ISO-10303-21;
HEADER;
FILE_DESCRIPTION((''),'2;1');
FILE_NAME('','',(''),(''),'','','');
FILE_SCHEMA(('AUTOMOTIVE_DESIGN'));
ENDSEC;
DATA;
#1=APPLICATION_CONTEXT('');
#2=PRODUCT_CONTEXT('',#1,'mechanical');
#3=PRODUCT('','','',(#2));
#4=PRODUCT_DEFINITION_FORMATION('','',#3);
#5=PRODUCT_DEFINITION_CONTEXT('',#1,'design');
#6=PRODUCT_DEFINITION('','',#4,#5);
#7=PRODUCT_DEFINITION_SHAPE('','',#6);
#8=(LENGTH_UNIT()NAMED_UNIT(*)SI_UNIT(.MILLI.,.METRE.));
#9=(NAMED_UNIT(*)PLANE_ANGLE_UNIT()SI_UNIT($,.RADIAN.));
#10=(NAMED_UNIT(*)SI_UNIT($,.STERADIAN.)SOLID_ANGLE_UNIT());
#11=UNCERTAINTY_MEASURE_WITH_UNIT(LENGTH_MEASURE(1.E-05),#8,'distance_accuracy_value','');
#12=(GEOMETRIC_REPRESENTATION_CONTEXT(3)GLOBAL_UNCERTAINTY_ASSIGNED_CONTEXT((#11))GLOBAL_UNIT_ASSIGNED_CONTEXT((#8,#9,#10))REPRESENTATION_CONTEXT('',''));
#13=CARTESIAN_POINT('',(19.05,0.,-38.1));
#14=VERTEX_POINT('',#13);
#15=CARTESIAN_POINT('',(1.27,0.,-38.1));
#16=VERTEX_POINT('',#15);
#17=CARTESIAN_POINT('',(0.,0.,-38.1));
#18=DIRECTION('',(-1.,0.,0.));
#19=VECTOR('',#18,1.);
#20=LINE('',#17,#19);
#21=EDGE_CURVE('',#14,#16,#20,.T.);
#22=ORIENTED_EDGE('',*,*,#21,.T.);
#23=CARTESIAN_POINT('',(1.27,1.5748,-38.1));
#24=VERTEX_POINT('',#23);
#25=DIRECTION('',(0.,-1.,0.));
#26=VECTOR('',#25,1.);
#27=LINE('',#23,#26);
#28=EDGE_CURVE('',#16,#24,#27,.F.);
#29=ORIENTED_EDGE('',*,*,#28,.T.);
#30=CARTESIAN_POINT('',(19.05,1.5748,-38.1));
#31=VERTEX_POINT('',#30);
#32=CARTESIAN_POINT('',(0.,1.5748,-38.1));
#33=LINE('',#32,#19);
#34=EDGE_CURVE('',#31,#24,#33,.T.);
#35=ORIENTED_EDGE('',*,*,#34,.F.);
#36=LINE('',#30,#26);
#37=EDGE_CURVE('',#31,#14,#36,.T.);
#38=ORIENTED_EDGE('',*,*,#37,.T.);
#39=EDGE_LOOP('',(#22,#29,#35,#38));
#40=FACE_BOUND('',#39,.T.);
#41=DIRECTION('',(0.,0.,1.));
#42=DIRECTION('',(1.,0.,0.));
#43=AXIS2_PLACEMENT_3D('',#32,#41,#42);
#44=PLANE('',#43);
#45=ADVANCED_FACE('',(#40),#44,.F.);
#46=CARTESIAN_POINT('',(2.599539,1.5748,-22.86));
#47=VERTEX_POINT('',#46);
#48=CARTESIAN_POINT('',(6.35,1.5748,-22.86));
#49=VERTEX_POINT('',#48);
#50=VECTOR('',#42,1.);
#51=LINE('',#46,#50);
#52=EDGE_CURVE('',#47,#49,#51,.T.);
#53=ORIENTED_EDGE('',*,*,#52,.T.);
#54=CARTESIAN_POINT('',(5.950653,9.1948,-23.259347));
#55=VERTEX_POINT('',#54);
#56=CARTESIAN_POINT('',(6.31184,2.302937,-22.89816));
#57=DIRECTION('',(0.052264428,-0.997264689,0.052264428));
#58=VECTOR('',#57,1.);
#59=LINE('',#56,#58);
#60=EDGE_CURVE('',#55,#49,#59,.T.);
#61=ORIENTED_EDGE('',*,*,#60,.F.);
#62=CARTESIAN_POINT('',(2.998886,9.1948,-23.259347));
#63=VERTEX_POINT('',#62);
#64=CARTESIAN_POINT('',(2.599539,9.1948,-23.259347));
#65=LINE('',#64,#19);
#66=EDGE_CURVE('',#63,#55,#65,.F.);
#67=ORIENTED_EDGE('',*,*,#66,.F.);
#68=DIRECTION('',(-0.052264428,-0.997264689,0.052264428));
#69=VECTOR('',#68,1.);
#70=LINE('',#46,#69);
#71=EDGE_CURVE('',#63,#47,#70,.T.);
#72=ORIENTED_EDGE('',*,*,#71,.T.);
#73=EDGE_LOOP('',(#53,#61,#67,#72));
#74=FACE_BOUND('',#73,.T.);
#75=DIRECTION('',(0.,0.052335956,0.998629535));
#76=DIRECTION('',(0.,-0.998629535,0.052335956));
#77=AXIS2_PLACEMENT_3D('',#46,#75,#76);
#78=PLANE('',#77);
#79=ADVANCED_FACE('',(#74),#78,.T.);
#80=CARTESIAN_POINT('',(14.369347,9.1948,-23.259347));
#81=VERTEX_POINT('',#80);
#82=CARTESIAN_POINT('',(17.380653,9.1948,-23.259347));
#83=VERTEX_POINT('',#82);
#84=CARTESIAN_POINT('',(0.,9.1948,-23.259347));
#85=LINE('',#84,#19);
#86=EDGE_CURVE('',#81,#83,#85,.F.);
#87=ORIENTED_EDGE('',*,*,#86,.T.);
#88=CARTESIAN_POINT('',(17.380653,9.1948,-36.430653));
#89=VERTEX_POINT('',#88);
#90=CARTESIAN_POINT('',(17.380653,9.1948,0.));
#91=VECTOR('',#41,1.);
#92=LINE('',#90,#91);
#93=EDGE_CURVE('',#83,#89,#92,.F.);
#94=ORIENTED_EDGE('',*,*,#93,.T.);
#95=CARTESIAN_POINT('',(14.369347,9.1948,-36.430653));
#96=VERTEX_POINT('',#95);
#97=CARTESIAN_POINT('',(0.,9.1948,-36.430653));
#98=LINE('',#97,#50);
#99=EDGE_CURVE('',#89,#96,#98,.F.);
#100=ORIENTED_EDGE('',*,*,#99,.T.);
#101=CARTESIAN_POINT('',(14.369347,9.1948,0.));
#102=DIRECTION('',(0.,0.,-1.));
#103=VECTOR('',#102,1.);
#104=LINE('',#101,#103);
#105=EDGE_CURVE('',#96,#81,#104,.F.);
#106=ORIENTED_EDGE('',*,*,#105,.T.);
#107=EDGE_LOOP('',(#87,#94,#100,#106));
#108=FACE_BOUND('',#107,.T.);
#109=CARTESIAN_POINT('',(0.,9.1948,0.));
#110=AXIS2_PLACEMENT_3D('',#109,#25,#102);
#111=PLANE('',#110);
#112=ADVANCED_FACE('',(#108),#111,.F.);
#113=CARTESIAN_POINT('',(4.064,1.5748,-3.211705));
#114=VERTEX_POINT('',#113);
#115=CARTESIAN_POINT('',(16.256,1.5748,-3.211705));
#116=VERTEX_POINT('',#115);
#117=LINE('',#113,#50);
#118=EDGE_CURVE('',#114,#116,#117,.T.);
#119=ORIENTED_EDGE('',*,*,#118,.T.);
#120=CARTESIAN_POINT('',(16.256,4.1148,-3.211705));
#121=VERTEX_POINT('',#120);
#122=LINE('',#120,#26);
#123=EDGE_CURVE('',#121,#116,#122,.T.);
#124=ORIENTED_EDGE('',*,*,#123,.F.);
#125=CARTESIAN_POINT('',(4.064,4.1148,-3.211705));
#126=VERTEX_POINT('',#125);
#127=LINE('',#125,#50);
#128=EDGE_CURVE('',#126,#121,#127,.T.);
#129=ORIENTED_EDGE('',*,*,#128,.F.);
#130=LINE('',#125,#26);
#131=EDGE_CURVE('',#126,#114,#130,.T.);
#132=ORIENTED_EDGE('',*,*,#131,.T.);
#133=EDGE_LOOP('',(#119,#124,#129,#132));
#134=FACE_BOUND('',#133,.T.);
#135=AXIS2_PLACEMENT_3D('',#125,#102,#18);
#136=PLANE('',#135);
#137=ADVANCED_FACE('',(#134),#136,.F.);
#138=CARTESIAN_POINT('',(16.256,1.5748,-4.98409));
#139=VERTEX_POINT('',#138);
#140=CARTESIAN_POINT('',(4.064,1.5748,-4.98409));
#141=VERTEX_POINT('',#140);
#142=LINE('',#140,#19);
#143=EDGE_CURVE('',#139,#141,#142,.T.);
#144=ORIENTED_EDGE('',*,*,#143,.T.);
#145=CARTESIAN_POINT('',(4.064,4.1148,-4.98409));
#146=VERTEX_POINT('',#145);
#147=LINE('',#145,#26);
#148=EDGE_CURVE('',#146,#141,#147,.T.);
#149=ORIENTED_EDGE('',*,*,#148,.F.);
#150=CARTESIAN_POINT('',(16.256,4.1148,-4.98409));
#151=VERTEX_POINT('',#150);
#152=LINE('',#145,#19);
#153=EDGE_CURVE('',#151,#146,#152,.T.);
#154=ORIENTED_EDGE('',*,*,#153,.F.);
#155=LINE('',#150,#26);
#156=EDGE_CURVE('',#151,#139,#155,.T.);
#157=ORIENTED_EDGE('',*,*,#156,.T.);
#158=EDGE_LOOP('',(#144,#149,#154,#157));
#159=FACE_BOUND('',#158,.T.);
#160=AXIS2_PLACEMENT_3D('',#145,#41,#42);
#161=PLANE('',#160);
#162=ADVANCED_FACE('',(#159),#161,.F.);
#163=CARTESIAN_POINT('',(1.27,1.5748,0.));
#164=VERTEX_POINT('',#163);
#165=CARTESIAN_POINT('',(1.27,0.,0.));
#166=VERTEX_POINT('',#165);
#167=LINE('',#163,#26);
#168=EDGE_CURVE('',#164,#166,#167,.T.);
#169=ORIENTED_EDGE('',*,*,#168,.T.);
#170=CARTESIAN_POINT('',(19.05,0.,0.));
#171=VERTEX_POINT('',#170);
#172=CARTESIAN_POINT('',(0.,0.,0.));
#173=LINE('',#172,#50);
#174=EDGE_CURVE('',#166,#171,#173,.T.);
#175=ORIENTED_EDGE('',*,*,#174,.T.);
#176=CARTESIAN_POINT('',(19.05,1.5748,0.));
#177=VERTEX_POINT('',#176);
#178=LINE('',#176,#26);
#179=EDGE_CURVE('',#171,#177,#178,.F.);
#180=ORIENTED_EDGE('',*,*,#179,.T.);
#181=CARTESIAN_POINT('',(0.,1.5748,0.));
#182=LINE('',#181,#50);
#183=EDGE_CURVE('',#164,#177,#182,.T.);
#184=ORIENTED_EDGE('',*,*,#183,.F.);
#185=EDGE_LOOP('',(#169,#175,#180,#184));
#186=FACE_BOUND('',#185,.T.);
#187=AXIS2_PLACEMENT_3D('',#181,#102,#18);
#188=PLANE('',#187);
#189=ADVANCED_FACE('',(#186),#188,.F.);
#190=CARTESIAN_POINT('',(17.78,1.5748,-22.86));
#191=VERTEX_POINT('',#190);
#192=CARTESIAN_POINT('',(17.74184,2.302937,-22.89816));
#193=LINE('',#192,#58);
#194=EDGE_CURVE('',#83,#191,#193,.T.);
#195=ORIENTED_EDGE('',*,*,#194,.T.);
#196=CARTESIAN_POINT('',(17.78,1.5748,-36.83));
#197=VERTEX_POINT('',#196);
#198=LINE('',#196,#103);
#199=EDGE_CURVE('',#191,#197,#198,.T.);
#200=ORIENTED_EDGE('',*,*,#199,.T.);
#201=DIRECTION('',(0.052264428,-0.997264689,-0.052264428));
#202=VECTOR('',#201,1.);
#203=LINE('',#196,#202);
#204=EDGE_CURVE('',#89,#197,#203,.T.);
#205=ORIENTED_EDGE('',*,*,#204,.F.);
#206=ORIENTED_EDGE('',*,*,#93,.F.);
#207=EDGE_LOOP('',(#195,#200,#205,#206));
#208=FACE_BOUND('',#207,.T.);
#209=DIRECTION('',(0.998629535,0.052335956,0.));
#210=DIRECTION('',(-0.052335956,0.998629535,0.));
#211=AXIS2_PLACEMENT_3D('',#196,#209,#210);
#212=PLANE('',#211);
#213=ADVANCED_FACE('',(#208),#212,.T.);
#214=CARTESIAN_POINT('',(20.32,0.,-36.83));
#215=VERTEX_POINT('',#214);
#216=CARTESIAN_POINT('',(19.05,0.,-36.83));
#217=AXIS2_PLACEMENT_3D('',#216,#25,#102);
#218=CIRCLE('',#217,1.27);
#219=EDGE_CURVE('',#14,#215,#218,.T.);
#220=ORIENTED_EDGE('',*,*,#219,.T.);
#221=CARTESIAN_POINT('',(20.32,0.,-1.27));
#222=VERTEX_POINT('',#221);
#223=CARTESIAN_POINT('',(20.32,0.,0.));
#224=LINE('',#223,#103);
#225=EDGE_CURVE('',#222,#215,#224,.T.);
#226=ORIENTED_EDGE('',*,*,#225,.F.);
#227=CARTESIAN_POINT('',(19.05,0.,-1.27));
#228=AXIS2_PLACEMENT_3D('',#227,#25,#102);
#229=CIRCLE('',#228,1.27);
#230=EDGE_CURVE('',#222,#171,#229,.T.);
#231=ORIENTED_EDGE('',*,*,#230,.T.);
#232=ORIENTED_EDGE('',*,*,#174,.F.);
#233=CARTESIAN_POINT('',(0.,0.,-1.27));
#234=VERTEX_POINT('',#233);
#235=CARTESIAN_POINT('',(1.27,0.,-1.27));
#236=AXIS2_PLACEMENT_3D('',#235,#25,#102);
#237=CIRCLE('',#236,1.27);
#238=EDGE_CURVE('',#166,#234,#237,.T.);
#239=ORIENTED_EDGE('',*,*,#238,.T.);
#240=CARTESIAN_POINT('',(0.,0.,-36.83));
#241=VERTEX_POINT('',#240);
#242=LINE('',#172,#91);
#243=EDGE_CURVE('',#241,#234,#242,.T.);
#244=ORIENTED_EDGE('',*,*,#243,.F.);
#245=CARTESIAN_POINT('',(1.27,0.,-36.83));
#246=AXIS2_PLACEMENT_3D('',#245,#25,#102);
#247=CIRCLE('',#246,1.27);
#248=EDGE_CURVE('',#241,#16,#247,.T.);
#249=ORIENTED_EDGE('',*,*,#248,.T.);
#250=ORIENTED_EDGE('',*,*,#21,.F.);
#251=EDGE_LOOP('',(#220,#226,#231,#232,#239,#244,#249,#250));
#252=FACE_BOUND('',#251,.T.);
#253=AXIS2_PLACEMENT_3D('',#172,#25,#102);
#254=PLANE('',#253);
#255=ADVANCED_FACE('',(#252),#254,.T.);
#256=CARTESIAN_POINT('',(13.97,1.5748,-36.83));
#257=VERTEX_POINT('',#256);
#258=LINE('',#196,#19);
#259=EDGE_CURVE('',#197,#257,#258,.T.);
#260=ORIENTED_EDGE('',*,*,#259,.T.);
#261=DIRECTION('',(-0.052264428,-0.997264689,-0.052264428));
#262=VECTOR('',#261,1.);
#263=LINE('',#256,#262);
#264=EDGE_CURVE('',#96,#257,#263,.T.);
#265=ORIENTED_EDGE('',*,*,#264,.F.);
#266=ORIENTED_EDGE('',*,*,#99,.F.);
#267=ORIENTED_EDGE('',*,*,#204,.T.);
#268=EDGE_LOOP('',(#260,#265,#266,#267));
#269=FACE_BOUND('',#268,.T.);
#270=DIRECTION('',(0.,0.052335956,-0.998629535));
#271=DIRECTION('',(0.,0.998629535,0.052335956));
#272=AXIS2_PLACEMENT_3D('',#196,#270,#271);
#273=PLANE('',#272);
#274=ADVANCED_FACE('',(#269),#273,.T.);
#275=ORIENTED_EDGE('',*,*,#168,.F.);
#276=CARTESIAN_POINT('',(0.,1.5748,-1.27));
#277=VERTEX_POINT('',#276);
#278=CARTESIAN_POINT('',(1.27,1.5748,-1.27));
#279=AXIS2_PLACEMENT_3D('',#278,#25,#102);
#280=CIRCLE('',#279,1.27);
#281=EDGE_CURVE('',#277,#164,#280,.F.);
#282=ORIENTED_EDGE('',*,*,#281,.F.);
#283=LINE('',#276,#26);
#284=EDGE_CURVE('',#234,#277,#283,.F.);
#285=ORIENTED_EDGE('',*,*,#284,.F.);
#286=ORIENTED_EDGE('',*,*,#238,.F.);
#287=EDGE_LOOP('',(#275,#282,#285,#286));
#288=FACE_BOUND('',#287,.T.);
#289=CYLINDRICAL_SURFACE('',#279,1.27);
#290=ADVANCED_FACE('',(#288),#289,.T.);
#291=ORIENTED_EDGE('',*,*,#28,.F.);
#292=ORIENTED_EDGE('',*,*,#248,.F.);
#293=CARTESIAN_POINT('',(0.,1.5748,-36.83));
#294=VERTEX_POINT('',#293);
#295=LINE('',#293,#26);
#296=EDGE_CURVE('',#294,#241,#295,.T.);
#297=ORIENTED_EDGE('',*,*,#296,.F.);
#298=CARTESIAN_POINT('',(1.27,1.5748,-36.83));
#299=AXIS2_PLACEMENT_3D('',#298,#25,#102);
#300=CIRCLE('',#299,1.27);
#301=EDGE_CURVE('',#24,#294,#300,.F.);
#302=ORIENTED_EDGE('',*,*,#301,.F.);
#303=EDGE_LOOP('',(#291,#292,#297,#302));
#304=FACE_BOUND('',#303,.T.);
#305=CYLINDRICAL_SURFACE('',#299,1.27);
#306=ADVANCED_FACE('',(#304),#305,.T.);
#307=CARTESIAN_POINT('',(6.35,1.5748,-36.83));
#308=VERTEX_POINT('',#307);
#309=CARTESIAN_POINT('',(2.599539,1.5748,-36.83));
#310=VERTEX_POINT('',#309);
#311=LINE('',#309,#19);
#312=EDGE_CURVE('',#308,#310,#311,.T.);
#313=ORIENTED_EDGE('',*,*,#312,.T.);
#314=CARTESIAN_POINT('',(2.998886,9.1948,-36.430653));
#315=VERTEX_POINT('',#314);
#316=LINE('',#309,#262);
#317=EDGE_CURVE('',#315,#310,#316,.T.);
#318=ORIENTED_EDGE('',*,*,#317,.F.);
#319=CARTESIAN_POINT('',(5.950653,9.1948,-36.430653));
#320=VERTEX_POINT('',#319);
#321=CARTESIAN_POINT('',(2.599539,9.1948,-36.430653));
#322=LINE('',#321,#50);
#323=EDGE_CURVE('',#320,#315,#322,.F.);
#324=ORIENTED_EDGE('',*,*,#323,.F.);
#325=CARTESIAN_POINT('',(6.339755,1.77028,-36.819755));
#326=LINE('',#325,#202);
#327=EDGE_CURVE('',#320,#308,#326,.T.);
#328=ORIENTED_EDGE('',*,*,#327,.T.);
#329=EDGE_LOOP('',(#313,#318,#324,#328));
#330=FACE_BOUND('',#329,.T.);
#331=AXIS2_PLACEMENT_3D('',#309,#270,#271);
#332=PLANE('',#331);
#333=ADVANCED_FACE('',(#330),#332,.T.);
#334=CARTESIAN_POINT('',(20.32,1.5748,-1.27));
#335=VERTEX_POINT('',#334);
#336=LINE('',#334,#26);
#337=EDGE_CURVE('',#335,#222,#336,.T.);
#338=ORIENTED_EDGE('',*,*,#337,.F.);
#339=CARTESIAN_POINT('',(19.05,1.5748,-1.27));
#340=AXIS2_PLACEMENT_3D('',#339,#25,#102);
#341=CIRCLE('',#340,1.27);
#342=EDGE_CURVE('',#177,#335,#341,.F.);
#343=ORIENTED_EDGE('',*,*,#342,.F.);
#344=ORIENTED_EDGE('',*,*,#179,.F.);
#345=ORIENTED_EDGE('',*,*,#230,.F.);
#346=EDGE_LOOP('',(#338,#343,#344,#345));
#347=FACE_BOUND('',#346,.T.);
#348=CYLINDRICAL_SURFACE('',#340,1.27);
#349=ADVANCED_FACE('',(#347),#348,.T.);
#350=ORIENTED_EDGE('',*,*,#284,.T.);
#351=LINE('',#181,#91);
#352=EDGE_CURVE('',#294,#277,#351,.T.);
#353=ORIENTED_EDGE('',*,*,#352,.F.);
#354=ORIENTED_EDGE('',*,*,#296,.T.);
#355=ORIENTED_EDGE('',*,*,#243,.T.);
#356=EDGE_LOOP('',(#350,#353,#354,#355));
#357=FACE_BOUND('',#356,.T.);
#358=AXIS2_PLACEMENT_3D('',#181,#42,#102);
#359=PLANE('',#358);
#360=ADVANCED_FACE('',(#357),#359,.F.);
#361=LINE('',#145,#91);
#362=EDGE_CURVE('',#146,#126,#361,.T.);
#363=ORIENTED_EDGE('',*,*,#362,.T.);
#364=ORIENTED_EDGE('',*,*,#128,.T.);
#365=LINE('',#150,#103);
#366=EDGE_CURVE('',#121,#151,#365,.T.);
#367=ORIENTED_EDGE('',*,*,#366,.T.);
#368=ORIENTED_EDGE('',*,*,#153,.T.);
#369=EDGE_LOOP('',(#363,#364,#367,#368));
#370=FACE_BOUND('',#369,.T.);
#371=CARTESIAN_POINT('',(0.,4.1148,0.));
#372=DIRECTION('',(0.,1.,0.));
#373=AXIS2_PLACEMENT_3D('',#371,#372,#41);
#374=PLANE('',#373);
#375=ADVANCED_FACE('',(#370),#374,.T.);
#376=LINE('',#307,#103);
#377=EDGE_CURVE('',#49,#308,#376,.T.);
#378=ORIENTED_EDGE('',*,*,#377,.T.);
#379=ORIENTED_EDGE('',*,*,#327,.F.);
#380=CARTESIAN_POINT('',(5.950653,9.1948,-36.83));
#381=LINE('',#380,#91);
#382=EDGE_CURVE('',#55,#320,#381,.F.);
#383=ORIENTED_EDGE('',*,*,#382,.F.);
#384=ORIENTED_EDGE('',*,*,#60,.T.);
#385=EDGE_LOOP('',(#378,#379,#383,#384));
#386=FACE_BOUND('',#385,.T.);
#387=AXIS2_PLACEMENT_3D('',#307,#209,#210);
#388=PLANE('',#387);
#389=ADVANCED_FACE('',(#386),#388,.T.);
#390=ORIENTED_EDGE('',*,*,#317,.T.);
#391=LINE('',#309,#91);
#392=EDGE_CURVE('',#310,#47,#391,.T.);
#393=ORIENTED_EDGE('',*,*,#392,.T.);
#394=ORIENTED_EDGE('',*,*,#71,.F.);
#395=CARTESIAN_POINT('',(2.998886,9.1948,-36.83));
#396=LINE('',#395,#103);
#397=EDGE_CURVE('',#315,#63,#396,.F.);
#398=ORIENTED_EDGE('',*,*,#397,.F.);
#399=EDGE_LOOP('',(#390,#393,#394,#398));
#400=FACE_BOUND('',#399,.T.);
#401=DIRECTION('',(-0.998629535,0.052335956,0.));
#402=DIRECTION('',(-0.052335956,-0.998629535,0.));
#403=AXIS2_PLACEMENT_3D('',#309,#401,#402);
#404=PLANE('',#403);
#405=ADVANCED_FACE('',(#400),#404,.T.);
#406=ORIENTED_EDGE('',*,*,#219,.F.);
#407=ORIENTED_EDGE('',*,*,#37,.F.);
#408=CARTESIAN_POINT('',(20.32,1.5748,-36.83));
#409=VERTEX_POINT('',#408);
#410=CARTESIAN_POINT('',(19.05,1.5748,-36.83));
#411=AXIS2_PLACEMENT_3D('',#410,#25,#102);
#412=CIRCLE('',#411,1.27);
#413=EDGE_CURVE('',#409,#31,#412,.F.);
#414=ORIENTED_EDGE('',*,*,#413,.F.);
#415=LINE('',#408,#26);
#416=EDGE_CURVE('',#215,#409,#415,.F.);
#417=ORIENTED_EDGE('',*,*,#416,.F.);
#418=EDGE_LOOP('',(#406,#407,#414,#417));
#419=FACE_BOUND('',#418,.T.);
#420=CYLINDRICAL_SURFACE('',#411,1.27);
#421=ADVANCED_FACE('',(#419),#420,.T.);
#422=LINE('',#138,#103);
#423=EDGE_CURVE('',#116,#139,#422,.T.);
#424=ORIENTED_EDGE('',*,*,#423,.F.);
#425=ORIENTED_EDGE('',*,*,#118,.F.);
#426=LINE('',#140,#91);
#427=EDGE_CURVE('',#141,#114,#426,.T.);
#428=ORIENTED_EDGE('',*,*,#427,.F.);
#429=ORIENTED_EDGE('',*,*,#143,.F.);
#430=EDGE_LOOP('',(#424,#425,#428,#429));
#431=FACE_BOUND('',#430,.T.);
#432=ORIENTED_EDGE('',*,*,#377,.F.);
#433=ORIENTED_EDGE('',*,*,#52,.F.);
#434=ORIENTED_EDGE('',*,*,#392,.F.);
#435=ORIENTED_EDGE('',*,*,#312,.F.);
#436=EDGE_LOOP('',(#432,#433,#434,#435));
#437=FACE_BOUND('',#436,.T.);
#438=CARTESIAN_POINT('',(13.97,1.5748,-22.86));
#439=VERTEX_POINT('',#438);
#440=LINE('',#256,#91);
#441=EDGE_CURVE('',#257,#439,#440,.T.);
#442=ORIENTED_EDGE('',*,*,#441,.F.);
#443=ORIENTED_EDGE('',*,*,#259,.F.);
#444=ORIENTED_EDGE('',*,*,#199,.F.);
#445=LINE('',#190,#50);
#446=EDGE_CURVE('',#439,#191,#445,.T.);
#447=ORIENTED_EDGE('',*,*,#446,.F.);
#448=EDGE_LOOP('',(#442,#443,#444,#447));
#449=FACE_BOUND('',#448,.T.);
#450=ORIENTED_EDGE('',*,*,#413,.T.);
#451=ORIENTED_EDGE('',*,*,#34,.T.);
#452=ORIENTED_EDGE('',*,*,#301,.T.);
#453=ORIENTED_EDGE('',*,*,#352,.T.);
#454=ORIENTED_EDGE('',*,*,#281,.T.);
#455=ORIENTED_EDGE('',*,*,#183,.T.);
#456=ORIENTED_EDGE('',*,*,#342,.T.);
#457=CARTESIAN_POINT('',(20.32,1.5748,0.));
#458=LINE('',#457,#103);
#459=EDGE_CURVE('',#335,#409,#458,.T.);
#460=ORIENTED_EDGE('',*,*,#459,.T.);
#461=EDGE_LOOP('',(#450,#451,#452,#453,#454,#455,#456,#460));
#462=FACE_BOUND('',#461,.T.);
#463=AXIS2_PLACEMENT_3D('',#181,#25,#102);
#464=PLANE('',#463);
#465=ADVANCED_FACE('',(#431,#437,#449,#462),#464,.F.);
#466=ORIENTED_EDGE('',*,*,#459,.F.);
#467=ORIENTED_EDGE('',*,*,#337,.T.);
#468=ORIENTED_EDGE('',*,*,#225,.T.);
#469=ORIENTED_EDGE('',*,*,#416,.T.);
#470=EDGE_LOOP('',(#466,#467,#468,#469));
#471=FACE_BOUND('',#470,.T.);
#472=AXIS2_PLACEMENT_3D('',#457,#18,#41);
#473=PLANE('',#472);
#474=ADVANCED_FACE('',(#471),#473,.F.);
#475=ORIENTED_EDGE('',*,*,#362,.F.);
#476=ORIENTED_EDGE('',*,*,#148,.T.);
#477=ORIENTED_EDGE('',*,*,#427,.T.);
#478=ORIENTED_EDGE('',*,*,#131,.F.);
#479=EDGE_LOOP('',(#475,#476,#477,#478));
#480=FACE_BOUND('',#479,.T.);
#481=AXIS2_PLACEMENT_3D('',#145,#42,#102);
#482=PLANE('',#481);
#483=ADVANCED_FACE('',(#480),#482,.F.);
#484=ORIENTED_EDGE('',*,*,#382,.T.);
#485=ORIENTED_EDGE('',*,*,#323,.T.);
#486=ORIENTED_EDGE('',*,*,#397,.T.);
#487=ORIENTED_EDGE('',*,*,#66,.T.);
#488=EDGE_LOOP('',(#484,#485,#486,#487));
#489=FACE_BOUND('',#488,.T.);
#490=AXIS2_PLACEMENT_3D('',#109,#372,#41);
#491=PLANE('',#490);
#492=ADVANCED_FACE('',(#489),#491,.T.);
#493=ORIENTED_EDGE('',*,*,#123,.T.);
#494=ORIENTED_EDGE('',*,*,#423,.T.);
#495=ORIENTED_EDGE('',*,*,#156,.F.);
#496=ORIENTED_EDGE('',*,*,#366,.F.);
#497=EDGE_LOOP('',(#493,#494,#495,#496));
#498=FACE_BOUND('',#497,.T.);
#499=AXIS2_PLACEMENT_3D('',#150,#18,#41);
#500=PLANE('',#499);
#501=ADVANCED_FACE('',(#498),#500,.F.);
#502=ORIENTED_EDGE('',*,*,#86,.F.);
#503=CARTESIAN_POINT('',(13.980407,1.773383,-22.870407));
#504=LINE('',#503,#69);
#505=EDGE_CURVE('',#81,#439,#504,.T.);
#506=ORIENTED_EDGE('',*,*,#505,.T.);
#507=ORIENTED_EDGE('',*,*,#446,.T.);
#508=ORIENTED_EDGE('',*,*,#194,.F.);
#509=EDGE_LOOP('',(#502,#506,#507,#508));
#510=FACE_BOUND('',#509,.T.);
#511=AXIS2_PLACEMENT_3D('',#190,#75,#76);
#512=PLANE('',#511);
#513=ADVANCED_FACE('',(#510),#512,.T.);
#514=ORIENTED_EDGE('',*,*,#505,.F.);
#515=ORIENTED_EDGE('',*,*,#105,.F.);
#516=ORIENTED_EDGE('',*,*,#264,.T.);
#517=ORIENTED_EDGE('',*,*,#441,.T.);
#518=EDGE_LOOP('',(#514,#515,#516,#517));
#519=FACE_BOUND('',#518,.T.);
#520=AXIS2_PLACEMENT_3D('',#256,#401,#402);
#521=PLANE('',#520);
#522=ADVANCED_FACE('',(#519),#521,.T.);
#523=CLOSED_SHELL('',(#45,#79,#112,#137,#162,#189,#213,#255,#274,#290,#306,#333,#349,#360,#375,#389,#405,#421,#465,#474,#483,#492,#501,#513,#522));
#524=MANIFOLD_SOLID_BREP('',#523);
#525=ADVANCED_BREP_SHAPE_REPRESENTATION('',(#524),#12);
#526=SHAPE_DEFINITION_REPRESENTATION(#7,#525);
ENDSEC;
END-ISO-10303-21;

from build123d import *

# Parameters (mm, degrees)
SKETCH1_W           = 20.32
SKETCH1_H           = 38.1
BOSS_EXTRUDE1_DEPTH = 1.5748
FILLET2_R           = 1.27
SKETCH2_W           = 12.192
SKETCH2_H           = 1.772385225
BOSS_EXTRUDE2_DEPTH = 2.54
SKETCH5_W           = 3.750461367
SKETCH5_H           = 13.97
SKETCH5_W_2         = 3.81
BOSS_EXTRUDE3_DEPTH = 7.62
DRAFT2_ANGLE        = 3
DRAFT3_ANGLE        = 3


with BuildPart() as part:
    # Sketch1 → Boss-Extrude1 (new body)
    with BuildSketch(Plane(origin=(0, 0, 0), x_dir=(1, 0, 0), z_dir=(0, 1, 0))):
        with Locations((10.16, 19.05)):
            Rectangle(SKETCH1_W, SKETCH1_H)
    extrude(amount=BOSS_EXTRUDE1_DEPTH)

    # Fillet2
    fillet2_edges = [part.edges().sort_by_distance(p)[0] for p in [
        (0, 0.7874, -38.1),
        (20.32, 0.7874, -38.1),
        (20.32, 0.7874, 0),
        (0, 0.7874, 0),
    ]]
    fillet(fillet2_edges, radius=FILLET2_R)

    # Sketch2 → Boss-Extrude2 (add)
    with BuildSketch(Plane(origin=(0, 1.5748, 0), x_dir=(1, 0, 0), z_dir=(0, 1, 0))):
        with Locations((10.16, 4.097897191)):
            Rectangle(SKETCH2_W, SKETCH2_H)
    extrude(amount=BOSS_EXTRUDE2_DEPTH)

    # Sketch5 → Boss-Extrude3 (add)
    with BuildSketch(Plane(origin=(0, 1.5748, 0), x_dir=(1, 0, 0), z_dir=(0, 1, 0))):
        with Locations((4.474769317, 29.845)):
            Rectangle(SKETCH5_W, SKETCH5_H)
        with Locations((15.875, 29.845)):
            Rectangle(SKETCH5_W_2, SKETCH5_H)
    extrude(amount=BOSS_EXTRUDE3_DEPTH)

    # Draft2
    draft2_faces = [part.faces().sort_by_distance(p)[0] for p in [
        (2.599538633, 5.3848, -29.845),
        (4.474769317, 5.3848, -36.83),
        (6.35, 5.3848, -29.845),
        (4.474769317, 5.3848, -22.86),
    ]]
    draft(draft2_faces, Plane.ZX.offset(1.5748), DRAFT2_ANGLE)

    # Draft3
    draft3_faces = [part.faces().sort_by_distance(p)[0] for p in [
        (15.875, 5.3848, -22.86),
        (13.97, 5.3848, -29.845),
        (15.875, 5.3848, -36.83),
        (17.78, 5.3848, -29.845),
    ]]
    draft(draft3_faces, Plane.ZX.offset(1.5748), DRAFT3_ANGLE)


solid = part.part
